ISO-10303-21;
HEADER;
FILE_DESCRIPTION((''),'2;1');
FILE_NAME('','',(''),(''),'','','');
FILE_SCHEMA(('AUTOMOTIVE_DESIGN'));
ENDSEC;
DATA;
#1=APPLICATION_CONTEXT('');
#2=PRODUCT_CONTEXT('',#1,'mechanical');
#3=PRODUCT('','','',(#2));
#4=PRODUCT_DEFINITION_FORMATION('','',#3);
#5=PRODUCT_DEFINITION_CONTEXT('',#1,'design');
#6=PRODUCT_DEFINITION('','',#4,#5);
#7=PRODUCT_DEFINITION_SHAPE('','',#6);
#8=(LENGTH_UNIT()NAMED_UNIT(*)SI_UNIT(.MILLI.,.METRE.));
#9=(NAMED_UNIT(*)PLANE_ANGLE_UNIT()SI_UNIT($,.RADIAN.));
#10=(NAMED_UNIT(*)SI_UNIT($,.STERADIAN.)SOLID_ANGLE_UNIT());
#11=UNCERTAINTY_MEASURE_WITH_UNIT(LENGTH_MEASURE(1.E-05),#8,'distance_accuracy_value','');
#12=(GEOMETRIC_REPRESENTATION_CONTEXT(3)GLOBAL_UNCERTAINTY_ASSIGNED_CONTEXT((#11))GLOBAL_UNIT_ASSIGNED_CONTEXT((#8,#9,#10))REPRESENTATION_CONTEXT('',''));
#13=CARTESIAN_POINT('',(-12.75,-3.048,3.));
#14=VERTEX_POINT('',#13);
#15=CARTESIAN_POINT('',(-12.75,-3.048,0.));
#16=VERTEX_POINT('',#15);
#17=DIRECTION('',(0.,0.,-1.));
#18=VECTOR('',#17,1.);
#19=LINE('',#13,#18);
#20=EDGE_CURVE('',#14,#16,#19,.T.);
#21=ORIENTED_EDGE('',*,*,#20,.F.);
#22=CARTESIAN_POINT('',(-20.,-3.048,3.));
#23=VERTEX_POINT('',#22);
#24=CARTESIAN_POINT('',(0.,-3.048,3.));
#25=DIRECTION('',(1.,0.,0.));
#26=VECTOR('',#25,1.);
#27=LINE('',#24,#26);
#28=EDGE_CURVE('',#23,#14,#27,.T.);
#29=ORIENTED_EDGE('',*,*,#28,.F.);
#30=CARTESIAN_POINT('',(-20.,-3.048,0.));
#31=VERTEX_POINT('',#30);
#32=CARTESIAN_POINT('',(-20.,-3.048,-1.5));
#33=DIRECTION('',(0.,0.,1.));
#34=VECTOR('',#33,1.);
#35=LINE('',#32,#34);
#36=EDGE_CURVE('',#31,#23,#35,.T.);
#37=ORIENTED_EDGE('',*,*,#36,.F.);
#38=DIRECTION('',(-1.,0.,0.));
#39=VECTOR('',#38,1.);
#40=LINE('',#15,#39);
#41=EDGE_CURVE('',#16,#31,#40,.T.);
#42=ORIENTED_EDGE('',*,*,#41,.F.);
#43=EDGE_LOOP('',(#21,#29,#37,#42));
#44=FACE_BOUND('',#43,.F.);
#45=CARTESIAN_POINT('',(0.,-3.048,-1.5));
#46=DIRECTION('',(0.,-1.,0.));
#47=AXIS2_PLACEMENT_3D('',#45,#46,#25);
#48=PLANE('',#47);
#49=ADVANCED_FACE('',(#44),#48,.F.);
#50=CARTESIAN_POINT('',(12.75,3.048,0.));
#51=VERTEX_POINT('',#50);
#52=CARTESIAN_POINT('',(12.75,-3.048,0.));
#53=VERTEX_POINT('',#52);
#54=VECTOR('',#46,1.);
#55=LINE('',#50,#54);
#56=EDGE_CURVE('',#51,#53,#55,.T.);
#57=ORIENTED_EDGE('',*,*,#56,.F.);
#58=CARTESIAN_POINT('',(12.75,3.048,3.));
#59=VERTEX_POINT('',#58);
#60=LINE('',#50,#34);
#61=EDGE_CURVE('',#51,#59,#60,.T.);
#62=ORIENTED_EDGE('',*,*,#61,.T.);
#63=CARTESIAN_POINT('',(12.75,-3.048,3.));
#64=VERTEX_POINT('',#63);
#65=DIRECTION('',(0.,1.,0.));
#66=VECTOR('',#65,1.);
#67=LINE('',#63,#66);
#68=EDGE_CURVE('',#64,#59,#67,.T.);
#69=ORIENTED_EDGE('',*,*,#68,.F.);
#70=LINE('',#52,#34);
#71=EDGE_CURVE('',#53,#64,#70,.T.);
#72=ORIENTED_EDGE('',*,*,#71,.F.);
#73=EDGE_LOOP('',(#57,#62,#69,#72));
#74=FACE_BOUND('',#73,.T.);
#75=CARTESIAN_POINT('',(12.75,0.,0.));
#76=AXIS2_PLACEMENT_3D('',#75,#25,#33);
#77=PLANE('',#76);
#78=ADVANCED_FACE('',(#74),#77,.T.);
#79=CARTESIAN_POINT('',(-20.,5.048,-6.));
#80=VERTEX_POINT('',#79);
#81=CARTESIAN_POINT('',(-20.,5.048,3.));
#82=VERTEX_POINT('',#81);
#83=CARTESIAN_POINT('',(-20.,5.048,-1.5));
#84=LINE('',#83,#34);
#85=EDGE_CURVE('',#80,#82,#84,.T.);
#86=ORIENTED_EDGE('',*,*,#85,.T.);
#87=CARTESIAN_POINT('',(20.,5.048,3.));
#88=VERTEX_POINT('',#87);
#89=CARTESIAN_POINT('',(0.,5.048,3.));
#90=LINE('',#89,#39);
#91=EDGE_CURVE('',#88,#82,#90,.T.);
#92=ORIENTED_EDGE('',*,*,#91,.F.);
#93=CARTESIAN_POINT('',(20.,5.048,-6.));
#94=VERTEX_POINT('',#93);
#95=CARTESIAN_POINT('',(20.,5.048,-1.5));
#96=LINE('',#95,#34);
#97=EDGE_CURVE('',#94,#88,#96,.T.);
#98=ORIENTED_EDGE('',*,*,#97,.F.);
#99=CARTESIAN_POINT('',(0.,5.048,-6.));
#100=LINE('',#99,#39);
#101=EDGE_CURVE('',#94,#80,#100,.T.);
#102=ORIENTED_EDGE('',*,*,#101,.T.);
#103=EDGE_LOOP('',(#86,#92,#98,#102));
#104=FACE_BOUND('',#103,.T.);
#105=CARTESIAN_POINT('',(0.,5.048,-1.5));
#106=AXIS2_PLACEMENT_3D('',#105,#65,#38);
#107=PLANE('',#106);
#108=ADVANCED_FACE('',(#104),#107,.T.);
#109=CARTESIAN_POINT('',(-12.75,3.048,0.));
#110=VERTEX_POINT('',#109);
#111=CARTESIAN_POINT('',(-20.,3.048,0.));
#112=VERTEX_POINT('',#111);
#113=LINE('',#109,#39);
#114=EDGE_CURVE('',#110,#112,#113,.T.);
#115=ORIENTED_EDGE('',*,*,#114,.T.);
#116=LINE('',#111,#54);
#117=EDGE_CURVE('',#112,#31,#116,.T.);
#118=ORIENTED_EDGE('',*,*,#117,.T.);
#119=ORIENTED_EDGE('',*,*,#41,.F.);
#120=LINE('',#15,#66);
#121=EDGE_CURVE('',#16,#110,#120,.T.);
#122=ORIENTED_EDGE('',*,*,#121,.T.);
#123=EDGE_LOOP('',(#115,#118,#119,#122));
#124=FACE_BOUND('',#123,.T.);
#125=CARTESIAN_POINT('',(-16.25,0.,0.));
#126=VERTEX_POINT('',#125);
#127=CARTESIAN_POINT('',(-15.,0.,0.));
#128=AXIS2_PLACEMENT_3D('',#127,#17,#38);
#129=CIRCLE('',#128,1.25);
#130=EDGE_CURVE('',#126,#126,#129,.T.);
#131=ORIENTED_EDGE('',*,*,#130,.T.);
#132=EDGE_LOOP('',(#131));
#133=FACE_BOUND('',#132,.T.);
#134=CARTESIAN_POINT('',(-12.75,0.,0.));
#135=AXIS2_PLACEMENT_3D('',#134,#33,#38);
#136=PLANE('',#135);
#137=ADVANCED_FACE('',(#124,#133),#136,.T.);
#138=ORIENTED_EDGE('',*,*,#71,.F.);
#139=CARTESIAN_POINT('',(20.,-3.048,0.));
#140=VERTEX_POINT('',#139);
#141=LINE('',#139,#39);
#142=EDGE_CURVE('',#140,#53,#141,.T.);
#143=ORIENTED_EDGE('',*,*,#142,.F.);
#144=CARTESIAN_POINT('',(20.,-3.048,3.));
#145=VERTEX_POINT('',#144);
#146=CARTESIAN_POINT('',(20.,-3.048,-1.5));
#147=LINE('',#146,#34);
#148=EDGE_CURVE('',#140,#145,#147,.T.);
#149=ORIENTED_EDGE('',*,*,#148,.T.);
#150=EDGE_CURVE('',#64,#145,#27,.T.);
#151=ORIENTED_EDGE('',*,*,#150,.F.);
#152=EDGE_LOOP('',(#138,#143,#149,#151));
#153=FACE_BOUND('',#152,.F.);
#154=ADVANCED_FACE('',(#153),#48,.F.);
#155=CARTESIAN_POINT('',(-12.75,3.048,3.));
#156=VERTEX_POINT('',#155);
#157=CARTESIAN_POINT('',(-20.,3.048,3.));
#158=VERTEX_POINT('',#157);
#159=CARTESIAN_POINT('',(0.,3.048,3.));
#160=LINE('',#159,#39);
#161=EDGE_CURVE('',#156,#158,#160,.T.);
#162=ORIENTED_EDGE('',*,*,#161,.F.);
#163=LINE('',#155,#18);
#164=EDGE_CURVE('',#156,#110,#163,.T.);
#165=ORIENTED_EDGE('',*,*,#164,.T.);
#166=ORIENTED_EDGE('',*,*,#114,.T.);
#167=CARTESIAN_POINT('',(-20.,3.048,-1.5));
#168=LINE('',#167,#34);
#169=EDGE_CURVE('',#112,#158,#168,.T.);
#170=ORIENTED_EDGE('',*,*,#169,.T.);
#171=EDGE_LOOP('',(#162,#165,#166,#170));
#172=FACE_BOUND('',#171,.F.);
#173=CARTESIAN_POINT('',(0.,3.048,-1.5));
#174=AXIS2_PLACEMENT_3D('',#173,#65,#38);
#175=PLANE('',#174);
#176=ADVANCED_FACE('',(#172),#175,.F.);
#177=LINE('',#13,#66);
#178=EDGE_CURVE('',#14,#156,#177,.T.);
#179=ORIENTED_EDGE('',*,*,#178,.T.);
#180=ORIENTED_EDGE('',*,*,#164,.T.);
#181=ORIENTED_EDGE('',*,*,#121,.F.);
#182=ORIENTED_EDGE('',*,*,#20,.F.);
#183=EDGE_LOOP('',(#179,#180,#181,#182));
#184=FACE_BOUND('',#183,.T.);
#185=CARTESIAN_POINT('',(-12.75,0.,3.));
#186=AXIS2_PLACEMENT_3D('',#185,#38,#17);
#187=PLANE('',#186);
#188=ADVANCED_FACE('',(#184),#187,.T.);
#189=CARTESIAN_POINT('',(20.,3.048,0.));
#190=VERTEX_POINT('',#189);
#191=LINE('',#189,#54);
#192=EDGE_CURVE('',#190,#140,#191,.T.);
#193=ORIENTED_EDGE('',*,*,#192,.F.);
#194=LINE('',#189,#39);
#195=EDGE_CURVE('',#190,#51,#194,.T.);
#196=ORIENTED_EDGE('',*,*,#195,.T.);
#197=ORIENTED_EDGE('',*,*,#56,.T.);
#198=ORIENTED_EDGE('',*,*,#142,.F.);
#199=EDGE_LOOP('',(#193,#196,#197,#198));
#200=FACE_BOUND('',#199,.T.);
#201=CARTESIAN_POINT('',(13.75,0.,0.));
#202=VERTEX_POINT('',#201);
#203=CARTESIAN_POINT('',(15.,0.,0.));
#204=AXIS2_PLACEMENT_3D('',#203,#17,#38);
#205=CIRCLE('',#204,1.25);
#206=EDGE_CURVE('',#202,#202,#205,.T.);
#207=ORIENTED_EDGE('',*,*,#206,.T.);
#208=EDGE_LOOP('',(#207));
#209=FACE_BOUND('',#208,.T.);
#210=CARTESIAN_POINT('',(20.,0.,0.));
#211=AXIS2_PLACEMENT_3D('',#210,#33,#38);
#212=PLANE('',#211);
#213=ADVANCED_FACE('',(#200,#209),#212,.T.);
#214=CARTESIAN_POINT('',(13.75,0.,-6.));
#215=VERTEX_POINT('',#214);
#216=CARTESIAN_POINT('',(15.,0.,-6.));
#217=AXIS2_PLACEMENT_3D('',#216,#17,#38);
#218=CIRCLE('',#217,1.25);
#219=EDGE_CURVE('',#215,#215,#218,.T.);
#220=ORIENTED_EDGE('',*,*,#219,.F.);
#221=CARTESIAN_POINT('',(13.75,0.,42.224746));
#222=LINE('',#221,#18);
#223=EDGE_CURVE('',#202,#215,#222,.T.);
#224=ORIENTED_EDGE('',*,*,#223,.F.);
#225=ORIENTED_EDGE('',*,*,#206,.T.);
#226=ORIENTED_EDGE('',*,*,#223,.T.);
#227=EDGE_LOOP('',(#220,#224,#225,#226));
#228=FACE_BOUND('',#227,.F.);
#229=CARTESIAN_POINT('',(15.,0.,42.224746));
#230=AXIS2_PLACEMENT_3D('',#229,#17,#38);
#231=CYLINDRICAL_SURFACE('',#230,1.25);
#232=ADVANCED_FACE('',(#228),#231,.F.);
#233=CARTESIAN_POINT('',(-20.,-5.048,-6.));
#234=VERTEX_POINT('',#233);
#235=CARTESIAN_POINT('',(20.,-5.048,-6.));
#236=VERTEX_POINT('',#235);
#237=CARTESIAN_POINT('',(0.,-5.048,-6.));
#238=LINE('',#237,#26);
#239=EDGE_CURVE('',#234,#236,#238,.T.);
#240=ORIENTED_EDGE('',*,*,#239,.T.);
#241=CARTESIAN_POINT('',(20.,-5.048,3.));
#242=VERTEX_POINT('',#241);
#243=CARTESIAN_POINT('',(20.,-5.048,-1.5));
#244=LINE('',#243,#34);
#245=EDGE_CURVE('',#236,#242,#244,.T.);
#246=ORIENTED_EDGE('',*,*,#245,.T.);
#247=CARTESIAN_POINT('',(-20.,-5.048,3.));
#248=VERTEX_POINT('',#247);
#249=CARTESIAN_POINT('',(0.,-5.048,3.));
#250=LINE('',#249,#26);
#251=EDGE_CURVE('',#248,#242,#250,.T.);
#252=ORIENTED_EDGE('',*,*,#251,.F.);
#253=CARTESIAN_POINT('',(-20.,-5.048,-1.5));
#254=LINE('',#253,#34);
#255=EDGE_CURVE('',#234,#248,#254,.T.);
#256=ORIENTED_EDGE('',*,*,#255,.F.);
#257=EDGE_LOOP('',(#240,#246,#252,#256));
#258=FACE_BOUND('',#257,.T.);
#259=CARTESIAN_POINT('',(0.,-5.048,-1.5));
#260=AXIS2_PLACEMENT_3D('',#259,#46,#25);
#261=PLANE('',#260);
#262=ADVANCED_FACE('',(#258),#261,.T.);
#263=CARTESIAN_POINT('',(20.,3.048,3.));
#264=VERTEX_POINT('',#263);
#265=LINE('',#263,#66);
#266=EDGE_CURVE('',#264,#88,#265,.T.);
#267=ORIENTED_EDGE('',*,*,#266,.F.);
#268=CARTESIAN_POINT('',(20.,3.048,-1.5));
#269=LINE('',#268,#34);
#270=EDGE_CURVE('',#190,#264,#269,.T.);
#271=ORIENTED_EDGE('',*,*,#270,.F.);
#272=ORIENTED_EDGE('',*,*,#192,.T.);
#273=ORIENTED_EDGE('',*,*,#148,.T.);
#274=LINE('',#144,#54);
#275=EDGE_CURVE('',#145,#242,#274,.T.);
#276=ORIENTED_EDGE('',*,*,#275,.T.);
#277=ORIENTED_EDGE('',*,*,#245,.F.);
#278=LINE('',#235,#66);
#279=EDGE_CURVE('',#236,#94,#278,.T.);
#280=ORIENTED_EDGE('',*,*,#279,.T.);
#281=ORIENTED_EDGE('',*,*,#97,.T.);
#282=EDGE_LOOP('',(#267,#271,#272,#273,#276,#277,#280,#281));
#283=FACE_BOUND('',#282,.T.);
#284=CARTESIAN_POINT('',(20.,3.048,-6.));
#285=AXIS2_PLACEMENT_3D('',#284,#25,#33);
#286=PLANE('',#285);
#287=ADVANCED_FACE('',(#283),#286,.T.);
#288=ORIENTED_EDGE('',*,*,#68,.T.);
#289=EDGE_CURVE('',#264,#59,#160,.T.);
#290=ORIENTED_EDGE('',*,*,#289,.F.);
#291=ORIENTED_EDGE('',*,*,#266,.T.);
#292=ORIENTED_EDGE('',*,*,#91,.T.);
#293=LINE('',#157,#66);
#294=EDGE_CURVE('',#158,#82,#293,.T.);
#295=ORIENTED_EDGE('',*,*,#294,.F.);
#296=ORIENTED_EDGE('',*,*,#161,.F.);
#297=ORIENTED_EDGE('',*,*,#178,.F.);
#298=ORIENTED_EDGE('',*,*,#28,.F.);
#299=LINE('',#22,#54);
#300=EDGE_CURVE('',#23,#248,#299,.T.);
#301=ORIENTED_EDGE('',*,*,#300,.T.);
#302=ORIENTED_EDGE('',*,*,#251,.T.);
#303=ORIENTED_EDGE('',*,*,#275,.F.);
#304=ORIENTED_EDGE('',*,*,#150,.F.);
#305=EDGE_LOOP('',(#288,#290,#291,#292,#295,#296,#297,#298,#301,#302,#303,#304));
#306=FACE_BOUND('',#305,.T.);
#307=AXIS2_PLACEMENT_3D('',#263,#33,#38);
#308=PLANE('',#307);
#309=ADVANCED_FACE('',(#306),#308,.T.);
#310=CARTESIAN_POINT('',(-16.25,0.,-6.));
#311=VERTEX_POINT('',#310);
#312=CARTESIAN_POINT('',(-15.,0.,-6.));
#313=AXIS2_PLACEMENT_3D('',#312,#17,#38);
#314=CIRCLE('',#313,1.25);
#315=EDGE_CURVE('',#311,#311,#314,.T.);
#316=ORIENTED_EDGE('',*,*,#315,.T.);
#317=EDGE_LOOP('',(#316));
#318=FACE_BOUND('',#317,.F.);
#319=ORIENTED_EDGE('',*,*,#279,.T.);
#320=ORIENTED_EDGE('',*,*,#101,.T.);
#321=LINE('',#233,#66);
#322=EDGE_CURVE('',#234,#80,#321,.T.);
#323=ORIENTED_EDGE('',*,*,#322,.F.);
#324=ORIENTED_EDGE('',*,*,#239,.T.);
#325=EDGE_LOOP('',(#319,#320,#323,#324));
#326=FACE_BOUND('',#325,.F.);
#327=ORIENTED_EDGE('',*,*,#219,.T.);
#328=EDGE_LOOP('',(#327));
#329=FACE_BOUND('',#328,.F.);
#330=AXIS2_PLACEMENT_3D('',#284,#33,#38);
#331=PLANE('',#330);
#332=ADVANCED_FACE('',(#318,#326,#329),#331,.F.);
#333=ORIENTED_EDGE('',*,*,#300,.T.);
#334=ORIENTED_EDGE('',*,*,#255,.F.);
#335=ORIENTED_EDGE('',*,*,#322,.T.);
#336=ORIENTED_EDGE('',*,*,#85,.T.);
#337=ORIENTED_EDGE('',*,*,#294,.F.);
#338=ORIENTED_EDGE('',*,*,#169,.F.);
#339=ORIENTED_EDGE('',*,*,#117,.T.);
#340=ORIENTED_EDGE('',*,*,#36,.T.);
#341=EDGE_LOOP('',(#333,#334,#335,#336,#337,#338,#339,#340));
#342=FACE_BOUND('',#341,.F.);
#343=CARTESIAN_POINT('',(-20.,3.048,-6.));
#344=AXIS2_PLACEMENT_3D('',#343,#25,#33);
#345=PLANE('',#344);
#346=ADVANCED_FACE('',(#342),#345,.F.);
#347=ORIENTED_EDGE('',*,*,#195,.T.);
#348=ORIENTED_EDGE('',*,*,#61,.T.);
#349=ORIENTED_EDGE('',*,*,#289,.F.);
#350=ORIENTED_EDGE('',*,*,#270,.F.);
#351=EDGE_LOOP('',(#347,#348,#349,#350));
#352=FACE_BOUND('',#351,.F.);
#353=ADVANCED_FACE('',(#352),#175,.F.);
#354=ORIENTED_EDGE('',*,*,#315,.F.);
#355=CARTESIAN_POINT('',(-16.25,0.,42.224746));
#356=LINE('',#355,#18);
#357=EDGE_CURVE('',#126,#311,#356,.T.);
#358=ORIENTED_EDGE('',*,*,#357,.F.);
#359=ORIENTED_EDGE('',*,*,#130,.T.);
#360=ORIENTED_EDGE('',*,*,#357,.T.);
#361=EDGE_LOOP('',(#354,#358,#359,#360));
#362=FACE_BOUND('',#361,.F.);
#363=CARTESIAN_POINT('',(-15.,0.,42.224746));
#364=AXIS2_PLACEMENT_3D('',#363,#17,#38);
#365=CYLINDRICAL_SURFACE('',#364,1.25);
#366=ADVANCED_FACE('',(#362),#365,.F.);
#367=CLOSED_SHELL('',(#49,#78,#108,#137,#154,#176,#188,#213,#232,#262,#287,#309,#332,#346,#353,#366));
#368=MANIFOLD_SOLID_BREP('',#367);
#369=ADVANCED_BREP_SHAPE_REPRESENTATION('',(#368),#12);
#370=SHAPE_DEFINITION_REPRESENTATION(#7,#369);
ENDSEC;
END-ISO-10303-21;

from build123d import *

# Parameters (mm, degrees)
F1_DEPTH = 3.048
F2_W     = 40
F2_H     = 9
F3_DEPTH = 2
F4_W     = 40
F4_H     = 9
F5_DEPTH = 2
F7_D     = 2.5


with BuildPart() as f1:
    # F0 (on Front) → F1 (new body, symmetric)
    with BuildSketch(Plane.XZ):
        Polygon((-12.75, 0), (-20, 0), (-20, -6), (20, -6), (20, 0), (12.75, 0), (12.75, 3), (-12.75, 3), align=None)
    extrude(amount=F1_DEPTH, both=True)

    # F2 (on face) → F3 (join)
    with BuildSketch(Plane.XZ.offset(3.048)):
        with Locations((0, -1.5)):
            Rectangle(F2_W, F2_H)
    extrude(amount=F3_DEPTH)

    # F4 (on face) → F5 (join)
    with BuildSketch(Plane(origin=(0, 3.048, 0), x_dir=(-1, 0, 0), z_dir=(0, 1, 0))):
        with Locations((0, -1.5)):
            Rectangle(F4_W, F4_H)
    extrude(amount=F5_DEPTH)

    # F7 (through all)
    with Locations(Plane.XY):
        with Locations((-15, 0), (15, 0)):
            Hole(F7_D / 2)


solid = f1.part
